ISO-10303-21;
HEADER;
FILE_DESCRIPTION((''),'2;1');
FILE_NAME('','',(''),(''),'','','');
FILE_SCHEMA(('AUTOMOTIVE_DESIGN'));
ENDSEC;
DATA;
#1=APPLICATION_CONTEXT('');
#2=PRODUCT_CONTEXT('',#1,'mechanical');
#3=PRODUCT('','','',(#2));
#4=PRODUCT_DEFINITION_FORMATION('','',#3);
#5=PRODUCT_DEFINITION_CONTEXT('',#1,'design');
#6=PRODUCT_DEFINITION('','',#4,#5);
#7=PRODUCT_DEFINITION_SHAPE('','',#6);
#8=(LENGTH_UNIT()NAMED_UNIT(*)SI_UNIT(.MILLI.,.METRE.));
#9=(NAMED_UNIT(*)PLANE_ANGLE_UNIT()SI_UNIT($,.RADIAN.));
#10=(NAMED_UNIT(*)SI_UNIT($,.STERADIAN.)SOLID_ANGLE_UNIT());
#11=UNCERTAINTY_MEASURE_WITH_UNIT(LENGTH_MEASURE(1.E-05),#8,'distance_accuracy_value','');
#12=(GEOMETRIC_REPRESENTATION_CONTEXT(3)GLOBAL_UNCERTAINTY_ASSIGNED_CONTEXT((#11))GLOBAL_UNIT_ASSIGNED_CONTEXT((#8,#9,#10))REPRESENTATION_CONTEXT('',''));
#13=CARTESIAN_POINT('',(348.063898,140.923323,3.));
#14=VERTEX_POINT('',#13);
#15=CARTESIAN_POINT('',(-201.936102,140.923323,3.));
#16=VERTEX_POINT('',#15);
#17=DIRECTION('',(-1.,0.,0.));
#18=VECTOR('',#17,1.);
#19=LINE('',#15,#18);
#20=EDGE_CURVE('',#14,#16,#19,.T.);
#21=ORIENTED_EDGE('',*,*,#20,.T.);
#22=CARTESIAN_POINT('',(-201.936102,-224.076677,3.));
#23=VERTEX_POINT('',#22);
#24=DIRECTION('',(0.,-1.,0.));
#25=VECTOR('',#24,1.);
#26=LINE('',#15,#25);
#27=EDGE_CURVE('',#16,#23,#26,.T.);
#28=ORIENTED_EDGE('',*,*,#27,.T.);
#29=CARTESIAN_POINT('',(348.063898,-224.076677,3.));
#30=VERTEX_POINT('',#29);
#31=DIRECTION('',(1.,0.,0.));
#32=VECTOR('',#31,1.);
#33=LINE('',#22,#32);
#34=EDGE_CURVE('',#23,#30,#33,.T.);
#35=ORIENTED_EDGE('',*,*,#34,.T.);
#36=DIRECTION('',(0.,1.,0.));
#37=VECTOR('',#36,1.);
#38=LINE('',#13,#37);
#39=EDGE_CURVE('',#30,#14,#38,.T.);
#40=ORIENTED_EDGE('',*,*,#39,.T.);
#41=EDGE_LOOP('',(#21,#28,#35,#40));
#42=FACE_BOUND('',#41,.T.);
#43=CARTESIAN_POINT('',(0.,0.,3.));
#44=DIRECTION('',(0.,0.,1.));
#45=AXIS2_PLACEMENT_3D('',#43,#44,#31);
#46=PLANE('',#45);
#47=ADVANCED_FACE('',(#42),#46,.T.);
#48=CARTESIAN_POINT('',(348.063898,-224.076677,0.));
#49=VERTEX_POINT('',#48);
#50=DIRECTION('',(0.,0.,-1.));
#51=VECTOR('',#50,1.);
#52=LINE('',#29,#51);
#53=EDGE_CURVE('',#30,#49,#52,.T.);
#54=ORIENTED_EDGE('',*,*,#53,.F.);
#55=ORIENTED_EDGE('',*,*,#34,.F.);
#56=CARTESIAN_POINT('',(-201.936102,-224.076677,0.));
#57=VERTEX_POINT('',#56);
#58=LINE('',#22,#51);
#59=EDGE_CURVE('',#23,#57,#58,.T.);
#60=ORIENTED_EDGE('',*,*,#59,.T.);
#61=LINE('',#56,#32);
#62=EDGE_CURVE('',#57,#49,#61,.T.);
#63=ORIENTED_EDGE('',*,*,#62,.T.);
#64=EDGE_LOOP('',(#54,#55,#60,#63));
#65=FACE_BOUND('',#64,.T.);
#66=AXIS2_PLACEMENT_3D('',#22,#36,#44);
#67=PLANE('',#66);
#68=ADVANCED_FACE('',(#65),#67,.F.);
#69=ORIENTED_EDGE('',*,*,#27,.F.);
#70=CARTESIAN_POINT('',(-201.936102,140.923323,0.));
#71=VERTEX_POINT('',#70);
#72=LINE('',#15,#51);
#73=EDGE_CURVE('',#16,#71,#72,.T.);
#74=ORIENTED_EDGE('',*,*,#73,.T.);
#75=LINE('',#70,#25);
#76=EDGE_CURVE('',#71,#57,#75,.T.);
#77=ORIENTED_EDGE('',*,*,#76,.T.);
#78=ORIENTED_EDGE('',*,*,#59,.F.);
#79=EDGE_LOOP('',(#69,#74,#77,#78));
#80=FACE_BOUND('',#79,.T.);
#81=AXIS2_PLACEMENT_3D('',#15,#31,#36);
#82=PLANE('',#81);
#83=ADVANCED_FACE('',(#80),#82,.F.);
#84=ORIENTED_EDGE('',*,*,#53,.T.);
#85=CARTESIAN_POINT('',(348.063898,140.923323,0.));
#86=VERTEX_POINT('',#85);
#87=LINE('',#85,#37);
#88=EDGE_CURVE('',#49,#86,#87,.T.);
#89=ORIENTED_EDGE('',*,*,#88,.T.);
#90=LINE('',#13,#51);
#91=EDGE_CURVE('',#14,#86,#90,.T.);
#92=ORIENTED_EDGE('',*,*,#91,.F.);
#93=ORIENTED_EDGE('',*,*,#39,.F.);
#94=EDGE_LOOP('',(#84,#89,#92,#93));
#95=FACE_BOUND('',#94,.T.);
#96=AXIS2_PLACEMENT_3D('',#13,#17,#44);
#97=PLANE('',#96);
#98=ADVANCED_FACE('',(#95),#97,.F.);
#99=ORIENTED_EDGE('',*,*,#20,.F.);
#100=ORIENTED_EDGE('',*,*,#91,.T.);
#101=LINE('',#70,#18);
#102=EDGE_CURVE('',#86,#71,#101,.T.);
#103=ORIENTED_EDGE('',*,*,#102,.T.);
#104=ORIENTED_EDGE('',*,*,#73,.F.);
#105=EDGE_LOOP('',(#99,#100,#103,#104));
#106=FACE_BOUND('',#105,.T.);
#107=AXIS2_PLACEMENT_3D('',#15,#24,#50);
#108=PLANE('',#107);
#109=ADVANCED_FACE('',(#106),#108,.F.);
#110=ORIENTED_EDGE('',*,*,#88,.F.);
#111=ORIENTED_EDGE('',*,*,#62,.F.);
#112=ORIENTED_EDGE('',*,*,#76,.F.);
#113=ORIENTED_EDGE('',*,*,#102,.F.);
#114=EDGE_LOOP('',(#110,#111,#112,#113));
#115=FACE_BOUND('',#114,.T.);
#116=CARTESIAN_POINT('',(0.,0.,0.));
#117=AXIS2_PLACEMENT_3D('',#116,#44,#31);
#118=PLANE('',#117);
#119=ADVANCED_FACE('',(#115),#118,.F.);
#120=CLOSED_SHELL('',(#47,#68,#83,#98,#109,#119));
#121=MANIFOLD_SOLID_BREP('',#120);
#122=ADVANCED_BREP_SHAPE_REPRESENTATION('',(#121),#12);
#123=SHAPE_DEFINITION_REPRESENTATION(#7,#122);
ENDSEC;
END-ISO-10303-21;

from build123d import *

# Parameters (mm, degrees)
ESQUISSE1_W        = 550
ESQUISSE1_H        = 365
BOSS_EXTRU_1_DEPTH = 3


with BuildPart() as part:
    # Esquisse1 → Boss.-Extru.1 (new body)
    with BuildSketch(Plane.XY):
        with Locations((73.063897764, -41.576677316)):
            Rectangle(ESQUISSE1_W, ESQUISSE1_H)
    extrude(amount=BOSS_EXTRU_1_DEPTH)


solid = part.part
